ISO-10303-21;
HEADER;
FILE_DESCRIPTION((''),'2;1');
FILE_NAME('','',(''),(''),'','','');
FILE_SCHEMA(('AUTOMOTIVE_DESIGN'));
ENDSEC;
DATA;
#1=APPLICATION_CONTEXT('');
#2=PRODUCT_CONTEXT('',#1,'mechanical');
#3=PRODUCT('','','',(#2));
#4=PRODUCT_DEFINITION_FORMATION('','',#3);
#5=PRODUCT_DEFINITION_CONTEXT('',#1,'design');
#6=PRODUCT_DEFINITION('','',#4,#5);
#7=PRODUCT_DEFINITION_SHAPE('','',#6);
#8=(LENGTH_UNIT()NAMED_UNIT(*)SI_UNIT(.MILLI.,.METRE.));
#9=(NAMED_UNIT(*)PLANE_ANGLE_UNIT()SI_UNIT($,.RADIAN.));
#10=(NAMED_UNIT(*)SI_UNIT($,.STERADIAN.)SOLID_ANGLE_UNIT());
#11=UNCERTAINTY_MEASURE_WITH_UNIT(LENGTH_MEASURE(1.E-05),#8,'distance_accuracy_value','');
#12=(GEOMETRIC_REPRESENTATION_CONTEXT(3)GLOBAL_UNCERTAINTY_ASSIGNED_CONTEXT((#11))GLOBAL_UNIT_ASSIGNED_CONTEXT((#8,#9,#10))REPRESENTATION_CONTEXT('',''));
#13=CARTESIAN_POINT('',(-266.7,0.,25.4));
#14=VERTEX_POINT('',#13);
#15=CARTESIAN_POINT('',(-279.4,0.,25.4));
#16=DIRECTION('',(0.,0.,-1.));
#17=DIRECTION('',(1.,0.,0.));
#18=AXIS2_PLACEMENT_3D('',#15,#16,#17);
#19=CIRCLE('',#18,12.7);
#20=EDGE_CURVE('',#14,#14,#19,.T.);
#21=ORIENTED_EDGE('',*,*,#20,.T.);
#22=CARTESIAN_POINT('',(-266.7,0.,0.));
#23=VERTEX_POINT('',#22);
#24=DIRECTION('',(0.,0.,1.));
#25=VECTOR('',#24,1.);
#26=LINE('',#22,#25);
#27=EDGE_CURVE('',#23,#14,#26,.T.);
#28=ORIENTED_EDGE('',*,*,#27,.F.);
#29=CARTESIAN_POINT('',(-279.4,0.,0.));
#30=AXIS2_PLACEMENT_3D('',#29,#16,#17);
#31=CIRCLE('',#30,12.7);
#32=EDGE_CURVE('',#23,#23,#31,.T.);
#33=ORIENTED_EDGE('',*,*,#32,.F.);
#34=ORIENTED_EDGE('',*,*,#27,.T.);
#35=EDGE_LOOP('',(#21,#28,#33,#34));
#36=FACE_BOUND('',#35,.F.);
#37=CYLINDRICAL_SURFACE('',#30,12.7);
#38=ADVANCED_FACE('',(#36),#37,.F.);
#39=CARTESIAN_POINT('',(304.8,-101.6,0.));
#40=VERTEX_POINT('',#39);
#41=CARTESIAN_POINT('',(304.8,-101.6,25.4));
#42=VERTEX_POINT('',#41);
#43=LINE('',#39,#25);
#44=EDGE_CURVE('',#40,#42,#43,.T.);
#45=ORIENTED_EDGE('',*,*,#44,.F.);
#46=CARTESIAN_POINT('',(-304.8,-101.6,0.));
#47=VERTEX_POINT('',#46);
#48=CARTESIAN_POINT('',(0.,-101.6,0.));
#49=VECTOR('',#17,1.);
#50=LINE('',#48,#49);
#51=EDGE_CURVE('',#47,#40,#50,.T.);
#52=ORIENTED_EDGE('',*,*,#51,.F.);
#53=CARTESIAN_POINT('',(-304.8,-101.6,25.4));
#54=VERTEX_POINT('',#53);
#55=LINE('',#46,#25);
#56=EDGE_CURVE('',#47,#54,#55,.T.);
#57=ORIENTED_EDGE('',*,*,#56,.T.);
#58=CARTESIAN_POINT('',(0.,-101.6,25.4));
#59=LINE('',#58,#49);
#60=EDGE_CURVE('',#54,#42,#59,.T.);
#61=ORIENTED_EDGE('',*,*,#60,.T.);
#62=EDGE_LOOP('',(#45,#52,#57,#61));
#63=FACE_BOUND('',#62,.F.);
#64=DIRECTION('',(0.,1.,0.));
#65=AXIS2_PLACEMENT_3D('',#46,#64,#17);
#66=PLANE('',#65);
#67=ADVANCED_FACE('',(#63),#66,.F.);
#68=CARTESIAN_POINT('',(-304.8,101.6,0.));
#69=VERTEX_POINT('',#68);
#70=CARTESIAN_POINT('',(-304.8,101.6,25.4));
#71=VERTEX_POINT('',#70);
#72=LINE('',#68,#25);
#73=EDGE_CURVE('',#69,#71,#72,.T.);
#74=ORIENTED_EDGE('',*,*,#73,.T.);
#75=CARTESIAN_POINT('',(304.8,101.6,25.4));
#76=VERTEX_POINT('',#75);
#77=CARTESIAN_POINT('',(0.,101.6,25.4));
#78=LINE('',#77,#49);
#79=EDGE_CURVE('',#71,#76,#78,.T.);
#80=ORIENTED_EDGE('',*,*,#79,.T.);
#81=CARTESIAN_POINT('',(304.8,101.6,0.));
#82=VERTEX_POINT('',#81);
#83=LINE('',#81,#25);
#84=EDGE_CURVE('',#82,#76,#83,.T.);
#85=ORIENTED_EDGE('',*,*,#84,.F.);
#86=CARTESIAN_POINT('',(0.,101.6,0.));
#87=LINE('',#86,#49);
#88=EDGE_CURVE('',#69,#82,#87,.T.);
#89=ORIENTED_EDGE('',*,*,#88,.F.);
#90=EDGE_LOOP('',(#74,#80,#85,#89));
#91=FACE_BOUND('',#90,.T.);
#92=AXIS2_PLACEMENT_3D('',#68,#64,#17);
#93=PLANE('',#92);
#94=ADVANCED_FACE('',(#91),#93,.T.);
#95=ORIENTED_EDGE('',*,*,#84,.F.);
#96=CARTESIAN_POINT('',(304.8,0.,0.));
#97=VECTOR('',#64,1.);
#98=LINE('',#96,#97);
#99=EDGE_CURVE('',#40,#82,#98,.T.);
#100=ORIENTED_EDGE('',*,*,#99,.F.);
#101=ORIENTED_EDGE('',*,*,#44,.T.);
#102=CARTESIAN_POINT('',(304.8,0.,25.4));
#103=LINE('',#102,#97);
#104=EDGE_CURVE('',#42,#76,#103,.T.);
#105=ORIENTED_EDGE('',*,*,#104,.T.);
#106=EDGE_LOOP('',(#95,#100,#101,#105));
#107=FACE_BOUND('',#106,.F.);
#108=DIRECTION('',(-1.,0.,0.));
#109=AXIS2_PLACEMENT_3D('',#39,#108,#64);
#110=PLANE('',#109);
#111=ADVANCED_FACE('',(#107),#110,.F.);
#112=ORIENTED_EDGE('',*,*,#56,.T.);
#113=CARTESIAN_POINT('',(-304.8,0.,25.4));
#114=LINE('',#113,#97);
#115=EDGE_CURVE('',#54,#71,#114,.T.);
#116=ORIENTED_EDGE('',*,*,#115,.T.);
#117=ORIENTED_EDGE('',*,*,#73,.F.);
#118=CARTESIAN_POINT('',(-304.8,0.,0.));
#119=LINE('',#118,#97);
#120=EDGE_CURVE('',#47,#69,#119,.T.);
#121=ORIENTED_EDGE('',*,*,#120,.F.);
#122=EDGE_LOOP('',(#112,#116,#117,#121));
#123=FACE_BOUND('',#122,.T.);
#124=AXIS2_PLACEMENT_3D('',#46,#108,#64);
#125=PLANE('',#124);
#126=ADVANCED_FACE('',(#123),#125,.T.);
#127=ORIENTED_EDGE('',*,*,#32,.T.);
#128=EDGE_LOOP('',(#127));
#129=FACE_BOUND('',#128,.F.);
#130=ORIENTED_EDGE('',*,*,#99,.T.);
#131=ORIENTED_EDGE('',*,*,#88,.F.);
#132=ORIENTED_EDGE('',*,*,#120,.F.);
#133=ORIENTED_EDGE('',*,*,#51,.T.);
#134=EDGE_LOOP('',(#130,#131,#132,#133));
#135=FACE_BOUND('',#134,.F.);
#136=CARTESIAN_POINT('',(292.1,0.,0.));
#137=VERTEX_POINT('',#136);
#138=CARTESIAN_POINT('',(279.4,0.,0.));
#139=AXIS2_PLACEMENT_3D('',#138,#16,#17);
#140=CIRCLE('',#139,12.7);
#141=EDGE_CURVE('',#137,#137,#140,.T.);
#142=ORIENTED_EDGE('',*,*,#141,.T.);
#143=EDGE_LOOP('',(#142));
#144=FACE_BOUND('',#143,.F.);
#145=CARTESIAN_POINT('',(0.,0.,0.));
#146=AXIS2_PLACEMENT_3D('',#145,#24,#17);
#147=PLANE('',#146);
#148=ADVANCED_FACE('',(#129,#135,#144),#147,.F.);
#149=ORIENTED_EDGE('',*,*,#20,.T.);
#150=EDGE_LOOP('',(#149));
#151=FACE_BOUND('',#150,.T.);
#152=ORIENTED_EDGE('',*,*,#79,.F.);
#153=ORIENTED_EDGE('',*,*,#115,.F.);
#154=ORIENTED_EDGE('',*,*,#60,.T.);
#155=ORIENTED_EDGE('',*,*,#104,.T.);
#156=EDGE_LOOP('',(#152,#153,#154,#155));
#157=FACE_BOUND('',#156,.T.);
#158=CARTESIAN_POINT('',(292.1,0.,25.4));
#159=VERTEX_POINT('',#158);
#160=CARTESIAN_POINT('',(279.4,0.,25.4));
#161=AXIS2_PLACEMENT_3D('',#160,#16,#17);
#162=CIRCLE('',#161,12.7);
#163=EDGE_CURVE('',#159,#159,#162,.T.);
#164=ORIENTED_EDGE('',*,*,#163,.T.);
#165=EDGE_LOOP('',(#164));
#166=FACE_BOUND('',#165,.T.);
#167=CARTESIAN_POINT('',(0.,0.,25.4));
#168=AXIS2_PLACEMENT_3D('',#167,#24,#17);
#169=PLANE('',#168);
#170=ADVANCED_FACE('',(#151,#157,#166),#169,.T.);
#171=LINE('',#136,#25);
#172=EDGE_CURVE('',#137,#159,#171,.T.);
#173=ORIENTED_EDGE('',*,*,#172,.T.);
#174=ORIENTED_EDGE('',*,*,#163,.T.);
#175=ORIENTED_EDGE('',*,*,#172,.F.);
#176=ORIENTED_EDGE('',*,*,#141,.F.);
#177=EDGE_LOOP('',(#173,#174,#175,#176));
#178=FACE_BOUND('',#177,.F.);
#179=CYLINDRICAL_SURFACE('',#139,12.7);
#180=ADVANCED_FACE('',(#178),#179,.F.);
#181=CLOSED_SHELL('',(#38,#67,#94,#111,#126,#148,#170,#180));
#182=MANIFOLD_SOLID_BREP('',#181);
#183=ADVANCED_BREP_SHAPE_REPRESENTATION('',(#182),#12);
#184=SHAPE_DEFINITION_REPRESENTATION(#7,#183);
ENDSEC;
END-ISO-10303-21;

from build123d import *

# Parameters (mm, degrees)
F0_W     = 609.6
F0_H     = 203.2
F1_DEPTH = 25.4
F3_R     = 12.7
F4_DEPTH = 25.4


with BuildPart() as f1:
    # F0 (on Top) → F1 (new body)
    with BuildSketch(Plane.XY):
        Rectangle(F0_W, F0_H)
    extrude(amount=F1_DEPTH)

    # F3 (on face) → F4 (cut, through all)
    with BuildSketch(Plane(origin=(0, 0, 0), x_dir=(1, 0, 0), z_dir=(0, 0, -1))):
        with Locations((-279.4, 0)):
            Circle(F3_R)
        with Locations((279.4, 0)):
            Circle(F3_R)
    extrude(amount=-F4_DEPTH, mode=Mode.SUBTRACT)


solid = f1.part
